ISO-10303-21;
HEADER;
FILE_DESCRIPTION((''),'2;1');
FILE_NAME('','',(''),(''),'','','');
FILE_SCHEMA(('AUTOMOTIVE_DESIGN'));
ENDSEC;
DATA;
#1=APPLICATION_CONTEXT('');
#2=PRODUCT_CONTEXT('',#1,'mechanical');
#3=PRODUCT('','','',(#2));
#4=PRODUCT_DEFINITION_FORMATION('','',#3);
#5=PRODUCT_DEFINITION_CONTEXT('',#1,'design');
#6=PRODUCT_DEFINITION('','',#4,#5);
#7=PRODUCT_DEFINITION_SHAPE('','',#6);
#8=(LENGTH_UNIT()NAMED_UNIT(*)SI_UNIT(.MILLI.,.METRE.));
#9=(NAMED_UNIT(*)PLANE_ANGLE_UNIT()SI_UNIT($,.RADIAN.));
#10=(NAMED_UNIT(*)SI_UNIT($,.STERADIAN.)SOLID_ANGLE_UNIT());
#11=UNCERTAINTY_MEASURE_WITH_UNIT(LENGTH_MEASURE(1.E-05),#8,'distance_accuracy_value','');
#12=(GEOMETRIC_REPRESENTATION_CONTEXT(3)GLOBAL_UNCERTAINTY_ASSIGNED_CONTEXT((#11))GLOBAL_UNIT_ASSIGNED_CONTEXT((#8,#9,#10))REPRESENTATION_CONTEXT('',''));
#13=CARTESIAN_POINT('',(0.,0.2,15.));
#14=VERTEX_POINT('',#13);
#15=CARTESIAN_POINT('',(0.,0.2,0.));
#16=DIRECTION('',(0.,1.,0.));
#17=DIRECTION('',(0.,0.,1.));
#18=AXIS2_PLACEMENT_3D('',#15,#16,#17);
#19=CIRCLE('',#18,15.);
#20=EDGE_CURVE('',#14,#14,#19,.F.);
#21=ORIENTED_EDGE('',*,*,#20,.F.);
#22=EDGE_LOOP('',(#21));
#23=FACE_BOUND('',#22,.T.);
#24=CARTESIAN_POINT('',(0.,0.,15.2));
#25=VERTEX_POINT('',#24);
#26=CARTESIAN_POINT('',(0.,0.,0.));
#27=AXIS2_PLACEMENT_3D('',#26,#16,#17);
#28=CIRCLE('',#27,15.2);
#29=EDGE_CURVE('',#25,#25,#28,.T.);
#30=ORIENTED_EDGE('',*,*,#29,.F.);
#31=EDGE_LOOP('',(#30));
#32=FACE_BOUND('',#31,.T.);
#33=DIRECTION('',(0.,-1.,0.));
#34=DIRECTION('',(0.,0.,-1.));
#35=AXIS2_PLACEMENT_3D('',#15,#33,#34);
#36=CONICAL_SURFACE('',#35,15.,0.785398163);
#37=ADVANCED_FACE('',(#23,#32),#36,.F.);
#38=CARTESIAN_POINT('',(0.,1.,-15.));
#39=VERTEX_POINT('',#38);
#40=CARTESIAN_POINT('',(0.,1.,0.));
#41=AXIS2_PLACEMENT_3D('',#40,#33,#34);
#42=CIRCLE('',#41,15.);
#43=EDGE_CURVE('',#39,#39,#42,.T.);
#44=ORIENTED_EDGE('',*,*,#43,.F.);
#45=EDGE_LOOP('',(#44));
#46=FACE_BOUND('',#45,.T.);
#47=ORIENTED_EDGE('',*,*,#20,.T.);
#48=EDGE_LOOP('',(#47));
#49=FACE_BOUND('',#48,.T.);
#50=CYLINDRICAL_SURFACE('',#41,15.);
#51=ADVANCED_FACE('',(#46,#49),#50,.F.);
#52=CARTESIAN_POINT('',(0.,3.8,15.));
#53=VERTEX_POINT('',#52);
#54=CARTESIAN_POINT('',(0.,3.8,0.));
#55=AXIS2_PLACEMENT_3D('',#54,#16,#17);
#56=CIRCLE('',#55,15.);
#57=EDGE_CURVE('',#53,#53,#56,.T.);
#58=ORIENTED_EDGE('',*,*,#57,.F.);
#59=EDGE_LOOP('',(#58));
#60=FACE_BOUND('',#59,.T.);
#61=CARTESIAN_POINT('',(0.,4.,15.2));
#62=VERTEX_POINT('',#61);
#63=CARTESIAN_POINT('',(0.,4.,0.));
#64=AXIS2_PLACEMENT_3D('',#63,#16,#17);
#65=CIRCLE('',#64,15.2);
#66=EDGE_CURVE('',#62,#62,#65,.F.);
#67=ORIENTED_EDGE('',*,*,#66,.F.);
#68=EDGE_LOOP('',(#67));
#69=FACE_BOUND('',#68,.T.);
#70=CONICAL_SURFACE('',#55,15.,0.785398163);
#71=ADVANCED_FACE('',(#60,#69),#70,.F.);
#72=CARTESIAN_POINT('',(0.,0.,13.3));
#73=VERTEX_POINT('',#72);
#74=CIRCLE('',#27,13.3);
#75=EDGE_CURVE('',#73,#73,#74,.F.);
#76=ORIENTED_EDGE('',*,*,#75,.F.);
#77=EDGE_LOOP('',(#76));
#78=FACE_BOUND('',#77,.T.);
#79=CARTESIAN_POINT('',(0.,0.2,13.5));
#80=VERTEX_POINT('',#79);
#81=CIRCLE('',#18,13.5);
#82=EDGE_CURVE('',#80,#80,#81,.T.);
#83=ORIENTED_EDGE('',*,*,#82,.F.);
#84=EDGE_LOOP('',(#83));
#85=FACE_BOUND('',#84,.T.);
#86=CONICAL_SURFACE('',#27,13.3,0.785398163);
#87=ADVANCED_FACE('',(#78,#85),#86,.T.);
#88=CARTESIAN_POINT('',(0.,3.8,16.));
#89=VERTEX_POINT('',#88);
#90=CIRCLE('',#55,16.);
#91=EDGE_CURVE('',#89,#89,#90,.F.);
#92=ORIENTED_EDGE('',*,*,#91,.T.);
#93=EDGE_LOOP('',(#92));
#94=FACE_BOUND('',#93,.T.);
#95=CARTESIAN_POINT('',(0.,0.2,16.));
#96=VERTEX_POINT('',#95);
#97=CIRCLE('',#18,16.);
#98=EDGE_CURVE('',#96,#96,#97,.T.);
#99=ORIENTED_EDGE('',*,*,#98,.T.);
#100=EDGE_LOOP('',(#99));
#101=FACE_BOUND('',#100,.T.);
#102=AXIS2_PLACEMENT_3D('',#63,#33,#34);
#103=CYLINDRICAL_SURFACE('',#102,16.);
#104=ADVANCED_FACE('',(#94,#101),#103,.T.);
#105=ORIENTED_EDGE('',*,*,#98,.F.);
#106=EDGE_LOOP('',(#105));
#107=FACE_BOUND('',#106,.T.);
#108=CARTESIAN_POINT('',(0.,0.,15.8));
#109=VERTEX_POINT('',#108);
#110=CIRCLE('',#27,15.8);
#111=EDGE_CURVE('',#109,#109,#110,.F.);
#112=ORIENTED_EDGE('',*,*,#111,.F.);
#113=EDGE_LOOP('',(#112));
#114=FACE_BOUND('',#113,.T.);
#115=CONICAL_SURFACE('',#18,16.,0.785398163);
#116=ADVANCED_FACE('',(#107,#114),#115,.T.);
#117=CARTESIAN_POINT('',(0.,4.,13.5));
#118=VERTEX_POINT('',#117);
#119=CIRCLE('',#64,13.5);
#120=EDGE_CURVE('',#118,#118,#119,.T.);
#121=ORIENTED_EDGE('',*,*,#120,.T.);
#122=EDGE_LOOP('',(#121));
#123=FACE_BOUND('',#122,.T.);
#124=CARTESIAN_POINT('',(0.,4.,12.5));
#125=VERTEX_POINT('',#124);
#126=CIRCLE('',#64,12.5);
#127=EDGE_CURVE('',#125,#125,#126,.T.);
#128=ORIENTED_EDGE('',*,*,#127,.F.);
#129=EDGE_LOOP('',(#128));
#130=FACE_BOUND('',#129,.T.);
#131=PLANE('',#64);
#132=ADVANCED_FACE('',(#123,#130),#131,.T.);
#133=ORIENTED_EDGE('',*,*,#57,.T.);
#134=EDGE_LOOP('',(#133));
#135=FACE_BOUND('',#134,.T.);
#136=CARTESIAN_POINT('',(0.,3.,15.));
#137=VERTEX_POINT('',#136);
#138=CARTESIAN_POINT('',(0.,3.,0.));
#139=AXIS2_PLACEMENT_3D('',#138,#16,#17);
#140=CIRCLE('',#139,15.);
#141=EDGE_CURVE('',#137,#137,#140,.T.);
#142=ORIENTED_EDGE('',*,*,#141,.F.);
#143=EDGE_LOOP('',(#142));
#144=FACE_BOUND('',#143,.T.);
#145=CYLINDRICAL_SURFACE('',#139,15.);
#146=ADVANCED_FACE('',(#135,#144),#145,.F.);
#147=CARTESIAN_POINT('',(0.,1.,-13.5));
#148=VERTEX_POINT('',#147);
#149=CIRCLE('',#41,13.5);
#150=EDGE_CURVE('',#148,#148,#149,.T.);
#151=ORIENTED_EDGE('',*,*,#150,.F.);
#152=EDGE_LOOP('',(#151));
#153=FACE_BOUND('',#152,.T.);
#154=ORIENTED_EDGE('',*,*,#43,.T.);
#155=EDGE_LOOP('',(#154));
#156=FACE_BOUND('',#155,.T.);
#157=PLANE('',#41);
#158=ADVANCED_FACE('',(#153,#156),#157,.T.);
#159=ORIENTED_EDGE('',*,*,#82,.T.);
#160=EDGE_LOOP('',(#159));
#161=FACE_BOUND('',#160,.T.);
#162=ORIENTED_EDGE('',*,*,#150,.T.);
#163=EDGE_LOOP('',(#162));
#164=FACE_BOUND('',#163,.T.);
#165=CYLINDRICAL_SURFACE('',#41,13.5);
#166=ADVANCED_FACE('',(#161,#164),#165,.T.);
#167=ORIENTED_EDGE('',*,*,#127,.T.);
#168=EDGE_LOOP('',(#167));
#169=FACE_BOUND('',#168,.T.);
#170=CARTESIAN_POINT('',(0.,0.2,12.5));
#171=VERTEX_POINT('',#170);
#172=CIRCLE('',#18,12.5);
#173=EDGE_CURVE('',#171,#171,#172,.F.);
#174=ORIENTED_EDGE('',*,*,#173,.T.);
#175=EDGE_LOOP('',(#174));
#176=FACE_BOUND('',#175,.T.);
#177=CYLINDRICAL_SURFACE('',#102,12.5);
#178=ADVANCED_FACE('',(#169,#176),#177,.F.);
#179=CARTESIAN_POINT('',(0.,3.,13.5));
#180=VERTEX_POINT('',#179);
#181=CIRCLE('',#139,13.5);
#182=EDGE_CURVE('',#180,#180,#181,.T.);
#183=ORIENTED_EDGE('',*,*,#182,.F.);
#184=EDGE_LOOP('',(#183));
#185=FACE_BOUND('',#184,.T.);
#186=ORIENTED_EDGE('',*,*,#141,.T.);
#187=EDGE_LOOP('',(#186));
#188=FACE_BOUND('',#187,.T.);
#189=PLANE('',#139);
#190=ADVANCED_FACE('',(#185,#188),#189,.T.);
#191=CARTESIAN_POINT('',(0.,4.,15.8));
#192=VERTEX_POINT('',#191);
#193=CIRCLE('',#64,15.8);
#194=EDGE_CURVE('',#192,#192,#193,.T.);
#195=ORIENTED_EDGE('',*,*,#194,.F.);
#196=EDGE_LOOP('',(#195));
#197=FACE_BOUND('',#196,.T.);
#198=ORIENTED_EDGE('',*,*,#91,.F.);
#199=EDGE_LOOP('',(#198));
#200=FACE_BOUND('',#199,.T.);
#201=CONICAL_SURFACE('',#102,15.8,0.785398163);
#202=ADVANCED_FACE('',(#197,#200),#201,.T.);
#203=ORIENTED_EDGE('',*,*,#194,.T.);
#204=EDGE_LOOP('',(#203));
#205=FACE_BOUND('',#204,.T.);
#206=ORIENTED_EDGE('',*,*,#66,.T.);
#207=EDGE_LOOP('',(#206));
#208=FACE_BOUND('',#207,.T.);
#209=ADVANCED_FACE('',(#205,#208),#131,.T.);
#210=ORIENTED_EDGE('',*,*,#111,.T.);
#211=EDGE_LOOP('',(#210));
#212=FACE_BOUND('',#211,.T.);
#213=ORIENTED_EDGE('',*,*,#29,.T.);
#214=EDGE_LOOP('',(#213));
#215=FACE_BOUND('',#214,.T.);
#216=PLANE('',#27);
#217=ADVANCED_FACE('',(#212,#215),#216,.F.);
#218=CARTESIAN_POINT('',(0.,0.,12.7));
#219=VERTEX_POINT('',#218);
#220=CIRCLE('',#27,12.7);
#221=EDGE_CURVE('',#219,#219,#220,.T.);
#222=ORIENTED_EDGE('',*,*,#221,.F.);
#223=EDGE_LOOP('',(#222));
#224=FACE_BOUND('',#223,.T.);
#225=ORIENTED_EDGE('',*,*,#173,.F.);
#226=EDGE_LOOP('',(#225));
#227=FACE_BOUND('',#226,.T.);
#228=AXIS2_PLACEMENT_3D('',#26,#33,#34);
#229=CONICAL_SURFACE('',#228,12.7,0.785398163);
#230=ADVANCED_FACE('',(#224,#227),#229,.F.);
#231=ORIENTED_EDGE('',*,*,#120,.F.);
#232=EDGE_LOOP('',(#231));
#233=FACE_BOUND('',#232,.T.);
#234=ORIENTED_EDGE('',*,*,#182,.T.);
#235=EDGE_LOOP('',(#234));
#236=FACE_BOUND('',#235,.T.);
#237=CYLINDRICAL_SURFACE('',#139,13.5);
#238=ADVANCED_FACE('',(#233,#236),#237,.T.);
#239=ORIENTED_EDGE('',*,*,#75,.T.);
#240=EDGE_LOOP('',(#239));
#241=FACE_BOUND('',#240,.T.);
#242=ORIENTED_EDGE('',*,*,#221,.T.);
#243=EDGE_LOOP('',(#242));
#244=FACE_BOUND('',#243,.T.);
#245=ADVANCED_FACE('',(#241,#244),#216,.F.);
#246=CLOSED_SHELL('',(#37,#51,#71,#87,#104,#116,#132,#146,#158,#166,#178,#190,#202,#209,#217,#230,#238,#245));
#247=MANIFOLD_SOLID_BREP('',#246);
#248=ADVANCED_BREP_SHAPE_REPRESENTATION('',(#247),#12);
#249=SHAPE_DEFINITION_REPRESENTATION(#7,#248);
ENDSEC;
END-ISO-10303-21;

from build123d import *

# Parameters (mm, degrees)
SKETCH1_R           = 16
SKETCH1_R_2         = 12.5
BOSS_EXTRUDE1_DEPTH = 4
SKETCH2_R           = 15
SKETCH2_R_2         = 13.5
CUT_EXTRUDE1_DEPTH  = 1
CUT_EXTRUDE2_START  = -1
SKETCH3_R           = 15
SKETCH3_R_2         = 13.5
CUT_EXTRUDE2_DEPTH  = 1
CHAMFER1_SIZE       = 0.2


with BuildPart() as part:
    # Sketch1 → Boss-Extrude1 (new body)
    with BuildSketch(Plane(origin=(0, 0, 0), x_dir=(1, 0, 0), z_dir=(0, 1, 0))):
        with Locations(Location((0, 0, 0), (0, 0, 270))):
            Circle(SKETCH1_R)
        with Locations(Location((0, 0, 0), (0, 0, 270))):
            Circle(SKETCH1_R_2, mode=Mode.SUBTRACT)
    extrude(amount=BOSS_EXTRUDE1_DEPTH)

    # Sketch2 → Cut-Extrude1 (cut)
    with BuildSketch(Plane(origin=(0, 4, 0), x_dir=(1, 0, 0), z_dir=(0, 1, 0))):
        with Locations(Location((0, 0, 0), (0, 0, 270))):
            Circle(SKETCH2_R)
        with Locations(Location((0, 0, 0), (0, 0, 270))):
            Circle(SKETCH2_R_2, mode=Mode.SUBTRACT)
    extrude(amount=-CUT_EXTRUDE1_DEPTH, mode=Mode.SUBTRACT)

    # Sketch3 → Cut-Extrude2 (cut)
    with BuildSketch(Plane.XZ.offset(CUT_EXTRUDE2_START)):
        with Locations(Location((0, 0, 0), (0, 0, 90))):
            Circle(SKETCH3_R)
        with Locations(Location((0, 0, 0), (0, 0, 90))):
            Circle(SKETCH3_R_2, mode=Mode.SUBTRACT)
    extrude(amount=CUT_EXTRUDE2_DEPTH, mode=Mode.SUBTRACT)

    # Chamfer1
    chamfer1_edges = [part.edges().sort_by_distance(p)[0] for p in [
        (0, 4, -15),
        (0, 0, -16),
        (0, 0, -15),
        (0, 0, -13.5),
        (0, 4, -16),
        (0, 0, -12.5),
    ]]
    chamfer(chamfer1_edges, length=CHAMFER1_SIZE)


solid = part.part
